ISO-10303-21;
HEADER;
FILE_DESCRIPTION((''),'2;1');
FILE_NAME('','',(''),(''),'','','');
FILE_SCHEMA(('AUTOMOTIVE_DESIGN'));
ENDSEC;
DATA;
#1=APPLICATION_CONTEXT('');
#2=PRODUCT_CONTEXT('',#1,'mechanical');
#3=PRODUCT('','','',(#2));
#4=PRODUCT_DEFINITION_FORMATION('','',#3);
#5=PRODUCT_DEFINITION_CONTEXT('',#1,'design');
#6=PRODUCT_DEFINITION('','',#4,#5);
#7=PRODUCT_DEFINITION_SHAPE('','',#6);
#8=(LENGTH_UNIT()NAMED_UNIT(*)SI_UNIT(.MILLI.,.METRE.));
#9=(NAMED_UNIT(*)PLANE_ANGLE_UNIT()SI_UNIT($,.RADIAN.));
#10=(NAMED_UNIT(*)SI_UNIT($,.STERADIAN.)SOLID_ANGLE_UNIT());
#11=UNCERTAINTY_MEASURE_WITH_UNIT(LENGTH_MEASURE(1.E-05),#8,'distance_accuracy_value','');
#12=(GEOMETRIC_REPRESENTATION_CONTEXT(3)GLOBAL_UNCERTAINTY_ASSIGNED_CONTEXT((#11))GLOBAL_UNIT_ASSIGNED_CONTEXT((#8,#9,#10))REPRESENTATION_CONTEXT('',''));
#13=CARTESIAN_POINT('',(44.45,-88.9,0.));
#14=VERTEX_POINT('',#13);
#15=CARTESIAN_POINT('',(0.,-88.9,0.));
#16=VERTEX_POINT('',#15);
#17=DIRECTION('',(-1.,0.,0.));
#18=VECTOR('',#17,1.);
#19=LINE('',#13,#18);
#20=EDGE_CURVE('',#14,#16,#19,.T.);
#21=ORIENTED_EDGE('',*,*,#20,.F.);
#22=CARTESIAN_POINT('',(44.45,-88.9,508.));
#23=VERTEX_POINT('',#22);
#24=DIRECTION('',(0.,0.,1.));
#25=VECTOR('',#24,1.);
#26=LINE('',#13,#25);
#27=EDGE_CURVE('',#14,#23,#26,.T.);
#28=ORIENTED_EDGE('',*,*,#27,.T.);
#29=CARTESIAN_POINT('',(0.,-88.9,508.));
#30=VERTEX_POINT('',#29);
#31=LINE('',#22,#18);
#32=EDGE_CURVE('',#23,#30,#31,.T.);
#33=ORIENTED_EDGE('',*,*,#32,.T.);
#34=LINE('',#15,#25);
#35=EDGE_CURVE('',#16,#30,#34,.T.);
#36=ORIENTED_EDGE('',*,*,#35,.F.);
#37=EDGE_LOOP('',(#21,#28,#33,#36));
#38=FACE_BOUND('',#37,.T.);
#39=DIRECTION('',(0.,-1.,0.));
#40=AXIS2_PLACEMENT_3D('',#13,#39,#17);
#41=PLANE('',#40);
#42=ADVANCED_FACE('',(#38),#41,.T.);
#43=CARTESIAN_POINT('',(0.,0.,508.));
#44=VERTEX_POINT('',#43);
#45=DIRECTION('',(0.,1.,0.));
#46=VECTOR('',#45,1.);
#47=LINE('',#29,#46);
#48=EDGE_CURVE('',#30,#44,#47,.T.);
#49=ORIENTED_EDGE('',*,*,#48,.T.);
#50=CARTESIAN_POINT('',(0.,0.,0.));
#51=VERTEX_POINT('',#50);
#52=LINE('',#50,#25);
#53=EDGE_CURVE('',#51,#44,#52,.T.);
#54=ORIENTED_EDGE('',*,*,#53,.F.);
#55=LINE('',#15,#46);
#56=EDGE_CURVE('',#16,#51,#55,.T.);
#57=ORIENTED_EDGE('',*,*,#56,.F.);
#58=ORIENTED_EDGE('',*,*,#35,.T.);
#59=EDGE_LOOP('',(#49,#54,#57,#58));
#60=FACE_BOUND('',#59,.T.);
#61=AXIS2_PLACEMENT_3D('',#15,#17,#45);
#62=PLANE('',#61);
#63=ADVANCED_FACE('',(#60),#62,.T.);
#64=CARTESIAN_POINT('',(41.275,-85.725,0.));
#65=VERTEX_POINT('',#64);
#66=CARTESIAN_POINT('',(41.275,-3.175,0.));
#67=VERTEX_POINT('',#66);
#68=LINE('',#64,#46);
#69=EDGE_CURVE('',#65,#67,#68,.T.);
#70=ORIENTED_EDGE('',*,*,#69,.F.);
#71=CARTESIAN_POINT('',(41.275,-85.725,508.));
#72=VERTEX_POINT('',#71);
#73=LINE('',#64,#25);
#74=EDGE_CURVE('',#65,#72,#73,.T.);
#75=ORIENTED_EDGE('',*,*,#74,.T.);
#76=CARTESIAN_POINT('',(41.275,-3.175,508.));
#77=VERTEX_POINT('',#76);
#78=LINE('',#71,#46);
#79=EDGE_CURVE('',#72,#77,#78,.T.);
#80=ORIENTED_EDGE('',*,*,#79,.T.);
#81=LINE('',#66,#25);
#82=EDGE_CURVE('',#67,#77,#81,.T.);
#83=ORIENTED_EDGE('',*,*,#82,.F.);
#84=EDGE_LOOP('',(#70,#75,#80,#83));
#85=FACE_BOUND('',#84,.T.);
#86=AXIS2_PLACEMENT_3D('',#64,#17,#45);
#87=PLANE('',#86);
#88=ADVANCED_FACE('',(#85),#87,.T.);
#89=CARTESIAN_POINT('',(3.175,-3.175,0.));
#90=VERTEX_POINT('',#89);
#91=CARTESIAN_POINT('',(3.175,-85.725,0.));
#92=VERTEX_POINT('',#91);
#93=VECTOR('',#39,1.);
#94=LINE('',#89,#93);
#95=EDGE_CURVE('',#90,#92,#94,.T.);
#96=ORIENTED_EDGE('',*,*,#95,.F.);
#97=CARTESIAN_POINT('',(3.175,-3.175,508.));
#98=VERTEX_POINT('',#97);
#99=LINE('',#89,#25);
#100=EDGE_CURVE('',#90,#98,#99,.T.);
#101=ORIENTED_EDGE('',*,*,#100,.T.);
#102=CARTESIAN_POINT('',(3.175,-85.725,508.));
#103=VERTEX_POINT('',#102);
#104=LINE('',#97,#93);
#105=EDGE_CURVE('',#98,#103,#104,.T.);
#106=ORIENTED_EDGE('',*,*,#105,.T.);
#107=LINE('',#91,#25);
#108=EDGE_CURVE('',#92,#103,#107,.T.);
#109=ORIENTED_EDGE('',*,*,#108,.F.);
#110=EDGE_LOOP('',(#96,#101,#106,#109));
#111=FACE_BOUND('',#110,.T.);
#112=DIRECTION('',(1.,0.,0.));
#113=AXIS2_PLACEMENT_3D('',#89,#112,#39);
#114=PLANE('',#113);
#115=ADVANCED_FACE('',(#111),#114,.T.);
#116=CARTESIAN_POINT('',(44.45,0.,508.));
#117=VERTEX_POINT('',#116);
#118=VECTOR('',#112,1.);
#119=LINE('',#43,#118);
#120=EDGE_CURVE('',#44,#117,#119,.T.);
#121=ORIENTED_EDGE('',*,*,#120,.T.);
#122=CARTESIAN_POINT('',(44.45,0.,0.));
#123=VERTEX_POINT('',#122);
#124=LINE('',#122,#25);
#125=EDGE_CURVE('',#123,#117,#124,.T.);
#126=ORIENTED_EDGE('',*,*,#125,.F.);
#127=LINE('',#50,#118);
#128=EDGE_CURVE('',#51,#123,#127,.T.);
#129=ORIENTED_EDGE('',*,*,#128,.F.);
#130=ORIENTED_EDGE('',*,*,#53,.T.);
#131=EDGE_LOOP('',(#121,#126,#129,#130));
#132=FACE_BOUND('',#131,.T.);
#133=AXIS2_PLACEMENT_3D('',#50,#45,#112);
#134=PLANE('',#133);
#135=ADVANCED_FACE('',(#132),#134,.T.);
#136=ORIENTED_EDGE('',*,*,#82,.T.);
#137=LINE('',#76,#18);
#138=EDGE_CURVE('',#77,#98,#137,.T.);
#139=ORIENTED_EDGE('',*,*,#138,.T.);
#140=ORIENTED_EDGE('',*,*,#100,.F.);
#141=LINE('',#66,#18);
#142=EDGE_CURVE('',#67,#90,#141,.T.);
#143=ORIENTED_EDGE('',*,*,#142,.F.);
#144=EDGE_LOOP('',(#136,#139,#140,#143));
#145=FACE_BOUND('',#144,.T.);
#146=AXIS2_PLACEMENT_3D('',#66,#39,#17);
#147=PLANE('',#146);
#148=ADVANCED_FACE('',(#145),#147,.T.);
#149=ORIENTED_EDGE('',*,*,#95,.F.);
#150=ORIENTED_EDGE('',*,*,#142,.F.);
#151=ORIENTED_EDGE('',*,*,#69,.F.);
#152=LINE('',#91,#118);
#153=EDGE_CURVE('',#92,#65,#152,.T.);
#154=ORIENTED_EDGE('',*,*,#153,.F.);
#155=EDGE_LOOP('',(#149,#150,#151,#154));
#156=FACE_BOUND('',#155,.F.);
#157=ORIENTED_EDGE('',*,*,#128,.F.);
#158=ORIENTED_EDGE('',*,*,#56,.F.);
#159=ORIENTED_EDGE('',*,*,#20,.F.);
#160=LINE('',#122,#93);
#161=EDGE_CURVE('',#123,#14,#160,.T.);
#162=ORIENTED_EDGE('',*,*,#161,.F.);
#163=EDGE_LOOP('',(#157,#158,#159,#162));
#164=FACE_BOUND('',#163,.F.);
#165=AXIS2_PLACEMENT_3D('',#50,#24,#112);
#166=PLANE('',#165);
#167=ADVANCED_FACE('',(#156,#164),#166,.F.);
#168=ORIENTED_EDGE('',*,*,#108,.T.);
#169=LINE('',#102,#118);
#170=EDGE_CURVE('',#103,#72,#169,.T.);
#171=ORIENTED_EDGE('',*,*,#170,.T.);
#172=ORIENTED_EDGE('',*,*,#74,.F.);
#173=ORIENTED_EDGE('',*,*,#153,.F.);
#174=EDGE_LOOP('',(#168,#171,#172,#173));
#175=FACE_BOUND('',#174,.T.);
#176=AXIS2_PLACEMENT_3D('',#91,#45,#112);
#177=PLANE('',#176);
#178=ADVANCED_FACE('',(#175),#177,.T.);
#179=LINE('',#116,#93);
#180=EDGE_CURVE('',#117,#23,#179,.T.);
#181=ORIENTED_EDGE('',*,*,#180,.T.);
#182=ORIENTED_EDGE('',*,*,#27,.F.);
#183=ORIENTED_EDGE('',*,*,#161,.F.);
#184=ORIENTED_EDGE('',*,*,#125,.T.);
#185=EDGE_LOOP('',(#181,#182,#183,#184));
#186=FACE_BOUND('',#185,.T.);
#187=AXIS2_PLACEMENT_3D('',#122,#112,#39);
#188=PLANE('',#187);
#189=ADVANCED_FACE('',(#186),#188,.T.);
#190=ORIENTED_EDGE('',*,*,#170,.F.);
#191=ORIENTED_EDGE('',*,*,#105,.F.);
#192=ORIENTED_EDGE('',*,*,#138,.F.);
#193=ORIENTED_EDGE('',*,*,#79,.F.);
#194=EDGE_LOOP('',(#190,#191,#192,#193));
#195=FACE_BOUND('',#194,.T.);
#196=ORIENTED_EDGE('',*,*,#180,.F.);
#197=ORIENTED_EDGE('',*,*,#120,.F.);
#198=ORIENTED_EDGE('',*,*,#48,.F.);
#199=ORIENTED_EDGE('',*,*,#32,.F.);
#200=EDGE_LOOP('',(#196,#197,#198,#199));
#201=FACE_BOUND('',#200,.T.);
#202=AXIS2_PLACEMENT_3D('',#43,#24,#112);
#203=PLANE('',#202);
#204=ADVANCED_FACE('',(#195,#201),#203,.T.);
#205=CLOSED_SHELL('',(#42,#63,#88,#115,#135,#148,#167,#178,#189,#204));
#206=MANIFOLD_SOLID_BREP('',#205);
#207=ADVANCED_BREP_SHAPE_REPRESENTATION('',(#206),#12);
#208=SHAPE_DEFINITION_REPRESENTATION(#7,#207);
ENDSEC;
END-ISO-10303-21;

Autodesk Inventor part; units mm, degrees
ref_plane "YZ Plane" through (0, 0, 0) normal (1, 0, 0) x (0, 1, 0)
ref_plane "XZ Plane" through (0, 0, 0) normal (0, 1, 0) x (-1, 0, 0)
ref_plane "XY Plane" through (0, 0, 0) normal (0, 0, 1) x (1, 0, 0)
sketch "Sketch1" plane through (0, 0, 0) normal (0, 0, 1) x (1, 0, 0)
  line L0 (0, 0) -> (44.45, 0)
  line L1 (44.45, 0) -> (44.45, -88.9)
  line L2 (44.45, -88.9) -> (0, -88.9)
  line L3 (0, -88.9) -> (0, 0)
  line L4 (41.275, -3.175) -> (3.175, -3.175)
  line L5 (3.175, -3.175) -> (3.175, -85.725)
  line L6 (3.175, -85.725) -> (41.275, -85.725)
  line L7 (41.275, -85.725) -> (41.275, -3.175)
  dimension "d0" = 44.45
  dimension "d1" = 88.9
  dimension "d2" = 3.175
extrude "Extrusion1" add sketch "Sketch1" along normal blind 508
properties part number "GE-12026-05"
